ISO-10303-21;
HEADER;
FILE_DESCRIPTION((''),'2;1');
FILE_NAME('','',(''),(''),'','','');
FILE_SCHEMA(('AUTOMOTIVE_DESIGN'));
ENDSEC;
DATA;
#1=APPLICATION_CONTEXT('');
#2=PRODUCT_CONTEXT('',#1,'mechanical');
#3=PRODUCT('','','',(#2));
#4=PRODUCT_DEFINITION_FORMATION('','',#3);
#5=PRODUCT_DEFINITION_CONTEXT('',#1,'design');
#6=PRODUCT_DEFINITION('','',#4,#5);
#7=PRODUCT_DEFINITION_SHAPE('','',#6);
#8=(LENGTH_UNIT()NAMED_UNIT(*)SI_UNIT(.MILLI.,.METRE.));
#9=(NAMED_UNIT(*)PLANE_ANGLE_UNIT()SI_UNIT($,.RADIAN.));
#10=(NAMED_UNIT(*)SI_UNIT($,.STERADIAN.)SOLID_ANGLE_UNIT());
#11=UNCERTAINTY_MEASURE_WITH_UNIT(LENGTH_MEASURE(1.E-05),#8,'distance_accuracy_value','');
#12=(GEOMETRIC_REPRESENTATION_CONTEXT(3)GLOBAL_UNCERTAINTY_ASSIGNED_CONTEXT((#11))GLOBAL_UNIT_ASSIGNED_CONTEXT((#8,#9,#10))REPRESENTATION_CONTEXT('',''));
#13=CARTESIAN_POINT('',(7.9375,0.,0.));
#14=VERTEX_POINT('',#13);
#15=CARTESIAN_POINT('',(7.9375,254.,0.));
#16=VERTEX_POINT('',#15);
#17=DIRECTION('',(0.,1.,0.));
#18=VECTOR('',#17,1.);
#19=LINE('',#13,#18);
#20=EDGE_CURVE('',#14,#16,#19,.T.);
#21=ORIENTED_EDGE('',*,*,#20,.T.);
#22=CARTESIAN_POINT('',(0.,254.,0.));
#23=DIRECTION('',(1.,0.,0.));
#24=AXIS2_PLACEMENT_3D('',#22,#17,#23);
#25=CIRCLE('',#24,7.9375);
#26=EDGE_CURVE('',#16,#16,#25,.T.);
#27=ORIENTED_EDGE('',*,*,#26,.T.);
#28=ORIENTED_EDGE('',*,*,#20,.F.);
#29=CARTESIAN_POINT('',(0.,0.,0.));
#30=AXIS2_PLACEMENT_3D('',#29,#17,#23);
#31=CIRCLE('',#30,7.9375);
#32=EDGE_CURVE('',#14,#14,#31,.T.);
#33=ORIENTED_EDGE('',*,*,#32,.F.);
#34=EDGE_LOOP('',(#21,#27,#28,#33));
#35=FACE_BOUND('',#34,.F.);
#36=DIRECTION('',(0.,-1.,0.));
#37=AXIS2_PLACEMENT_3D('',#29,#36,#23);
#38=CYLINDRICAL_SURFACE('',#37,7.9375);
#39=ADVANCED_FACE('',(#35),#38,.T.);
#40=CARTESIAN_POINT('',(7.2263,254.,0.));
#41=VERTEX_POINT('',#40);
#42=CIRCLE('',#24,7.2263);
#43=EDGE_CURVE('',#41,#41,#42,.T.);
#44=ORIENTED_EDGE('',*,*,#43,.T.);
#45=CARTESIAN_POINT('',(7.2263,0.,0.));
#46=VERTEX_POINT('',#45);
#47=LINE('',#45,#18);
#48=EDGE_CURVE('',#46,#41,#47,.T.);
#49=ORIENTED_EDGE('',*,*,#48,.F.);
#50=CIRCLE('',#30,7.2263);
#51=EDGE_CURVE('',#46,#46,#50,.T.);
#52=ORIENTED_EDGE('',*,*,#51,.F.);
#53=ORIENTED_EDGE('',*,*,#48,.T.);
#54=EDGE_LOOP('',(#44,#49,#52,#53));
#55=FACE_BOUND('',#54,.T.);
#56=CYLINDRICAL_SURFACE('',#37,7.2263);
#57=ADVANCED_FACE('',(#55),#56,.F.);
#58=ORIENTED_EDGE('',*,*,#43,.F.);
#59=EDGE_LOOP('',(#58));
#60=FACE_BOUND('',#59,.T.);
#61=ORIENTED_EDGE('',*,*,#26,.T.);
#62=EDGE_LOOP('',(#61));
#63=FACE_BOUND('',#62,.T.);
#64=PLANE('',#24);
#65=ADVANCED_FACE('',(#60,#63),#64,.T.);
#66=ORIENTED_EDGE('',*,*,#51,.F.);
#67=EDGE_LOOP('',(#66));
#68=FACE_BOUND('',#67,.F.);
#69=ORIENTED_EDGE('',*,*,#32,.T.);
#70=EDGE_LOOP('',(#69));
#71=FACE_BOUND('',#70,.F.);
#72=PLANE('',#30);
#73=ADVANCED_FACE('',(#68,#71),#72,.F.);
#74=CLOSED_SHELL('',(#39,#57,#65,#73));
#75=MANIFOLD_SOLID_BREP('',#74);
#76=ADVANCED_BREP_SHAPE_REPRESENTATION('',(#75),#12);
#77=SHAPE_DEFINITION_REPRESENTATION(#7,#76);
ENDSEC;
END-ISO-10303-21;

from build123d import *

# Parameters (mm, degrees)
SKETCH1_R           = 7.9375
SKETCH1_R_2         = 7.2263
BOSS_EXTRUDE1_DEPTH = 254


with BuildPart() as part:
    # Sketch1 → Boss-Extrude1 (new body)
    with BuildSketch(Plane(origin=(0, 0, 0), x_dir=(1, 0, 0), z_dir=(0, 1, 0))):
        Circle(SKETCH1_R)
        Circle(SKETCH1_R_2, mode=Mode.SUBTRACT)
    extrude(amount=BOSS_EXTRUDE1_DEPTH)


solid = part.part
